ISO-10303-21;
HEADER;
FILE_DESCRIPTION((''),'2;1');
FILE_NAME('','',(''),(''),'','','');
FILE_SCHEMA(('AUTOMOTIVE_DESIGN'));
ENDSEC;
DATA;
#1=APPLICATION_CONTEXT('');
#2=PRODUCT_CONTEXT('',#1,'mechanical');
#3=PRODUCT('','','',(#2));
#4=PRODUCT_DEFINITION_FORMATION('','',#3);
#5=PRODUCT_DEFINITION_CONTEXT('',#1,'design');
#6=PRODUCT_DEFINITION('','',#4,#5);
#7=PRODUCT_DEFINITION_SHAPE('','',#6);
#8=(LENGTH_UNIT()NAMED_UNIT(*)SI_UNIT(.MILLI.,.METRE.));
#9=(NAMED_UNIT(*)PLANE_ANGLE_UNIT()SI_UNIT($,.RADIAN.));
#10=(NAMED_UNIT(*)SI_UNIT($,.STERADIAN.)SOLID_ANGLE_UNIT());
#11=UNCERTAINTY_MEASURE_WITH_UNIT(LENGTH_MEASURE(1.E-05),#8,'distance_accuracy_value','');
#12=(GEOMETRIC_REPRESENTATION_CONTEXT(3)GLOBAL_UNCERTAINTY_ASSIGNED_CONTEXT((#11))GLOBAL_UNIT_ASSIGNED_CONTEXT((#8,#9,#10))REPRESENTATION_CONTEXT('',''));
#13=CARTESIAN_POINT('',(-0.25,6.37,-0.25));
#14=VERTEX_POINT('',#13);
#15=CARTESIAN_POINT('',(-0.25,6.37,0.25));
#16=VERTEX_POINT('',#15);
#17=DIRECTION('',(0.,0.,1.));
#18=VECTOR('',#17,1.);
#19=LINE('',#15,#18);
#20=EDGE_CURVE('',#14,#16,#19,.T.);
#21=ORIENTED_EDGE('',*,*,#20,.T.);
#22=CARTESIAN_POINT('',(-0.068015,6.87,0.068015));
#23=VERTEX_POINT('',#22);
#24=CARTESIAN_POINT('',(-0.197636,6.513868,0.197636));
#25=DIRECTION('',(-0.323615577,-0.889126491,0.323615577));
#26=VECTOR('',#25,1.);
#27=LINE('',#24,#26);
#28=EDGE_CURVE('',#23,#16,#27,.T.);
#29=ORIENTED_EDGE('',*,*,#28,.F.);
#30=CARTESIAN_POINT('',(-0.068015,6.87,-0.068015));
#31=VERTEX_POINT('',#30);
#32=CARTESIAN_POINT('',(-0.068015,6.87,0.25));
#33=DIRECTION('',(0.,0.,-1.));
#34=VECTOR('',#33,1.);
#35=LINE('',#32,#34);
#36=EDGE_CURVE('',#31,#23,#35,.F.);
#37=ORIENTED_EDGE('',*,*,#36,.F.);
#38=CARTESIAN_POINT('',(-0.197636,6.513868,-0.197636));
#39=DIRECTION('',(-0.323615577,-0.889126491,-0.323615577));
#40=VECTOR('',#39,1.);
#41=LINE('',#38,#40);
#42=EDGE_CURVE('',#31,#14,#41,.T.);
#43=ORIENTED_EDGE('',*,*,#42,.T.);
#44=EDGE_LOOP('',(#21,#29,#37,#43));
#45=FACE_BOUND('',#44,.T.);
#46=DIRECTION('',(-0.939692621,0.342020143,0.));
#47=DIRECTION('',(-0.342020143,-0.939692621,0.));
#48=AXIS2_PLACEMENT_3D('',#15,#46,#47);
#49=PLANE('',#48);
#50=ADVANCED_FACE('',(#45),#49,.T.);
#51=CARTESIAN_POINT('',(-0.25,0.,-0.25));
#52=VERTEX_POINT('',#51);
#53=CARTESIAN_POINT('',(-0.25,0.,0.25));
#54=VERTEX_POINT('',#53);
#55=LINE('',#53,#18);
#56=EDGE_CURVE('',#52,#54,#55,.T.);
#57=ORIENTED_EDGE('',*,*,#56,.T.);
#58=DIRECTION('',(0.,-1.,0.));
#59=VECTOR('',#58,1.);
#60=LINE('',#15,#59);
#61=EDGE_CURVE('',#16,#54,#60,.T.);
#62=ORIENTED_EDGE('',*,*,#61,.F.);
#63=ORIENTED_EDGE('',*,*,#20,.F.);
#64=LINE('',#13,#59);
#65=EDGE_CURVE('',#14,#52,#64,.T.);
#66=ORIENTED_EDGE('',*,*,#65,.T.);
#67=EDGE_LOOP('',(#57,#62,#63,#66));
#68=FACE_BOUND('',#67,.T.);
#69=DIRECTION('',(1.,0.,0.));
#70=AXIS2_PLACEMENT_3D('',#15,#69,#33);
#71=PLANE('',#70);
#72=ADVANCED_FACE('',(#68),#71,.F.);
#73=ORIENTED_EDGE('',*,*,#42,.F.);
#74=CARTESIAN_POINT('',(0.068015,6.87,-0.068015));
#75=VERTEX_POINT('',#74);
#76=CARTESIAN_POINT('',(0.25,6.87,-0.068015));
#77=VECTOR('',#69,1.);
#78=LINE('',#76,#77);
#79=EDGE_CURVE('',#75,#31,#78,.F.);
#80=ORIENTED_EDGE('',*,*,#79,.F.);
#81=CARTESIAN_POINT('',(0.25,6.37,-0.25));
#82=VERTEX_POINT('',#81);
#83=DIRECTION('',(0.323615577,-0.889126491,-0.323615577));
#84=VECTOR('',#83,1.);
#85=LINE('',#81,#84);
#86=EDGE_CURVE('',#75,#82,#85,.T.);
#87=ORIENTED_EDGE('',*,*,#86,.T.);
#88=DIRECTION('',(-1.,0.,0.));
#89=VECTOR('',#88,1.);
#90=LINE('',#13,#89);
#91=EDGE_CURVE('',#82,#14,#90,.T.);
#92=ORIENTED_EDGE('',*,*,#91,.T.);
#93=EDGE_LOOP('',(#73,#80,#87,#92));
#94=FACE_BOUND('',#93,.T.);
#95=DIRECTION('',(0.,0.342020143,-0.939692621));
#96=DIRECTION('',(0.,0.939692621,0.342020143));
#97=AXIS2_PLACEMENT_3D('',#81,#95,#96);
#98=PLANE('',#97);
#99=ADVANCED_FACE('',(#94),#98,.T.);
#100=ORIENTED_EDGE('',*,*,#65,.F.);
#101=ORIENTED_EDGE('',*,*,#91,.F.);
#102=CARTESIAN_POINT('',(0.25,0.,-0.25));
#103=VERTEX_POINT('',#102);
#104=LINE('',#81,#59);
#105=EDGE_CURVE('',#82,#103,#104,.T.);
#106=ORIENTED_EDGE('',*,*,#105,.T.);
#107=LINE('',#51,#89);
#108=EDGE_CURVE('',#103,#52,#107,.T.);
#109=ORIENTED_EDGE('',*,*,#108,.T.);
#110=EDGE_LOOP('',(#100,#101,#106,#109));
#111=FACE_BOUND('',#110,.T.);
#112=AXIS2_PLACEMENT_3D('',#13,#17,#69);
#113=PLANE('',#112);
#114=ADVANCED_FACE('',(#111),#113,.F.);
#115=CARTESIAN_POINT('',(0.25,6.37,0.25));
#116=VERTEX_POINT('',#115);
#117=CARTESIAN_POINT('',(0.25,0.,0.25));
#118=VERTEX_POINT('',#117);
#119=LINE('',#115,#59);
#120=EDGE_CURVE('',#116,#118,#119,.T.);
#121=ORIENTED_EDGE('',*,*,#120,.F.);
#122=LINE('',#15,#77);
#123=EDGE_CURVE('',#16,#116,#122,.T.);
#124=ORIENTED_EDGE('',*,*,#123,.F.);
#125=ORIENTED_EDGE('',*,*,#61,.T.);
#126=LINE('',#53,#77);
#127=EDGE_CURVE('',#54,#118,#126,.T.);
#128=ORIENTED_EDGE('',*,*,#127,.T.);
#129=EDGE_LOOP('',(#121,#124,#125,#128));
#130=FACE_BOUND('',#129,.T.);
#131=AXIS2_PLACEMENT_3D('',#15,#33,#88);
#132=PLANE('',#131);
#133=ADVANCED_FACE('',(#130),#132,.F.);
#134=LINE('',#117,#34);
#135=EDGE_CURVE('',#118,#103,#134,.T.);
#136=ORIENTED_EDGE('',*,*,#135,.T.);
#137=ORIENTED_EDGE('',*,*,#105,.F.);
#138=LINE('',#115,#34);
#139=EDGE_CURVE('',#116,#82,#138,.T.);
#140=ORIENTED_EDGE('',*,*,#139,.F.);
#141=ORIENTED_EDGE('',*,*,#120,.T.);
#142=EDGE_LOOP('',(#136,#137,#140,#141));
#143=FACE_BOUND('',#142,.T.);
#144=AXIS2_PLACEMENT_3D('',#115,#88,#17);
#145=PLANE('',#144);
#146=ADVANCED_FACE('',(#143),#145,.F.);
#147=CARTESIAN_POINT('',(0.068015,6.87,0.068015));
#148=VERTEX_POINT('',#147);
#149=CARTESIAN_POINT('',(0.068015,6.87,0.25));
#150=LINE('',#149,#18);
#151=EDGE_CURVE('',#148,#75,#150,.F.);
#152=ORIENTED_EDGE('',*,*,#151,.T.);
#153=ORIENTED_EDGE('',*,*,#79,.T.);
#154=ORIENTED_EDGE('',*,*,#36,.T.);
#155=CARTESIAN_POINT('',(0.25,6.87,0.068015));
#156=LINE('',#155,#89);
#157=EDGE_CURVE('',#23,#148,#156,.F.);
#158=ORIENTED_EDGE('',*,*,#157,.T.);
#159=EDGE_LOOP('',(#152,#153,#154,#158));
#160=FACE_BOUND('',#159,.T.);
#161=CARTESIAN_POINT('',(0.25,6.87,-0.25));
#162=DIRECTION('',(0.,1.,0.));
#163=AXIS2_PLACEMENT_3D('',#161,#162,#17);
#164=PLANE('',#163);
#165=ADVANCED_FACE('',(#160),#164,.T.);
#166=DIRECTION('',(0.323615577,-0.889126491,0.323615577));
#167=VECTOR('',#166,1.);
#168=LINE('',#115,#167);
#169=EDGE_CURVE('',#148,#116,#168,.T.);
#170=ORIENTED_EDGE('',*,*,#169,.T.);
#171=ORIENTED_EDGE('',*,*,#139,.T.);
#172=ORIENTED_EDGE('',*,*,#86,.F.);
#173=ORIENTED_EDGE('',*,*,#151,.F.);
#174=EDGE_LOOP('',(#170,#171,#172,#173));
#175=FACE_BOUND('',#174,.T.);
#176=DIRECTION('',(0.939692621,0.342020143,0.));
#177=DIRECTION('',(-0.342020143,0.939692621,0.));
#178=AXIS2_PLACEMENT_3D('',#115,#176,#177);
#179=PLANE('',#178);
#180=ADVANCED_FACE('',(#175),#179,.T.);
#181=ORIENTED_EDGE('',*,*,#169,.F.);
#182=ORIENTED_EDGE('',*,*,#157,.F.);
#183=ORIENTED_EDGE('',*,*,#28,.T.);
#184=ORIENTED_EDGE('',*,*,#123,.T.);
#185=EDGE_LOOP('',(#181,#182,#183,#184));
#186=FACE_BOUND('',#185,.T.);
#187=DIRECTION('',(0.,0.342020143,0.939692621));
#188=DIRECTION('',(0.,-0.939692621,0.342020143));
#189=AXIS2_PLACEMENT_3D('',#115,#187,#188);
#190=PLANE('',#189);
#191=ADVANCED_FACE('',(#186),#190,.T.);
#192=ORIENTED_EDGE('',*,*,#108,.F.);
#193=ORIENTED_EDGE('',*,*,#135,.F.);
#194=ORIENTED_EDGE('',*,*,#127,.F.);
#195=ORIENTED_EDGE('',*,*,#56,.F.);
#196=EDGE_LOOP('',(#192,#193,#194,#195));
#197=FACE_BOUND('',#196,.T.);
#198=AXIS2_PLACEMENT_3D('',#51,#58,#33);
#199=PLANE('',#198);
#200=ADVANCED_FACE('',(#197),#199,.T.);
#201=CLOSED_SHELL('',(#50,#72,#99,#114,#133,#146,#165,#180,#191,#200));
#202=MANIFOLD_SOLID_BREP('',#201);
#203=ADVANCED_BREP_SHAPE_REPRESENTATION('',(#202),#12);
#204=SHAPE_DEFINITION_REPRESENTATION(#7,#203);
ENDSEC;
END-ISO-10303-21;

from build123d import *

# Parameters (mm, degrees)
SKETCH1_W           = 0.5
SKETCH1_H           = 0.5
SKETCH3_W           = 0.5
SKETCH3_H           = 0.5
BOSS_EXTRUDE1_DEPTH = 0.5
BOSS_EXTRUDE1_TAPER = 20


with BuildPart() as part:
    # Sweep1: sweep along a path in Sketch2
    with BuildLine(Plane.XY) as sweep1_path:
        Line((0, 0), (0, 6.37))
    # Sketch1 → Sweep1 (sweep)
    with BuildSketch(Plane(origin=(0, 0, 0), x_dir=(1, 0, 0), z_dir=(0, 1, 0))):
        Rectangle(SKETCH1_W, SKETCH1_H)
    sweep(path=sweep1_path.line)

    # Sketch3 → Boss-Extrude1 (add)
    with BuildSketch(Plane(origin=(0, 6.37, 0), x_dir=(1, 0, 0), z_dir=(0, 1, 0))):
        Rectangle(SKETCH3_W, SKETCH3_H)
    extrude(amount=BOSS_EXTRUDE1_DEPTH, taper=BOSS_EXTRUDE1_TAPER)


solid = part.part
